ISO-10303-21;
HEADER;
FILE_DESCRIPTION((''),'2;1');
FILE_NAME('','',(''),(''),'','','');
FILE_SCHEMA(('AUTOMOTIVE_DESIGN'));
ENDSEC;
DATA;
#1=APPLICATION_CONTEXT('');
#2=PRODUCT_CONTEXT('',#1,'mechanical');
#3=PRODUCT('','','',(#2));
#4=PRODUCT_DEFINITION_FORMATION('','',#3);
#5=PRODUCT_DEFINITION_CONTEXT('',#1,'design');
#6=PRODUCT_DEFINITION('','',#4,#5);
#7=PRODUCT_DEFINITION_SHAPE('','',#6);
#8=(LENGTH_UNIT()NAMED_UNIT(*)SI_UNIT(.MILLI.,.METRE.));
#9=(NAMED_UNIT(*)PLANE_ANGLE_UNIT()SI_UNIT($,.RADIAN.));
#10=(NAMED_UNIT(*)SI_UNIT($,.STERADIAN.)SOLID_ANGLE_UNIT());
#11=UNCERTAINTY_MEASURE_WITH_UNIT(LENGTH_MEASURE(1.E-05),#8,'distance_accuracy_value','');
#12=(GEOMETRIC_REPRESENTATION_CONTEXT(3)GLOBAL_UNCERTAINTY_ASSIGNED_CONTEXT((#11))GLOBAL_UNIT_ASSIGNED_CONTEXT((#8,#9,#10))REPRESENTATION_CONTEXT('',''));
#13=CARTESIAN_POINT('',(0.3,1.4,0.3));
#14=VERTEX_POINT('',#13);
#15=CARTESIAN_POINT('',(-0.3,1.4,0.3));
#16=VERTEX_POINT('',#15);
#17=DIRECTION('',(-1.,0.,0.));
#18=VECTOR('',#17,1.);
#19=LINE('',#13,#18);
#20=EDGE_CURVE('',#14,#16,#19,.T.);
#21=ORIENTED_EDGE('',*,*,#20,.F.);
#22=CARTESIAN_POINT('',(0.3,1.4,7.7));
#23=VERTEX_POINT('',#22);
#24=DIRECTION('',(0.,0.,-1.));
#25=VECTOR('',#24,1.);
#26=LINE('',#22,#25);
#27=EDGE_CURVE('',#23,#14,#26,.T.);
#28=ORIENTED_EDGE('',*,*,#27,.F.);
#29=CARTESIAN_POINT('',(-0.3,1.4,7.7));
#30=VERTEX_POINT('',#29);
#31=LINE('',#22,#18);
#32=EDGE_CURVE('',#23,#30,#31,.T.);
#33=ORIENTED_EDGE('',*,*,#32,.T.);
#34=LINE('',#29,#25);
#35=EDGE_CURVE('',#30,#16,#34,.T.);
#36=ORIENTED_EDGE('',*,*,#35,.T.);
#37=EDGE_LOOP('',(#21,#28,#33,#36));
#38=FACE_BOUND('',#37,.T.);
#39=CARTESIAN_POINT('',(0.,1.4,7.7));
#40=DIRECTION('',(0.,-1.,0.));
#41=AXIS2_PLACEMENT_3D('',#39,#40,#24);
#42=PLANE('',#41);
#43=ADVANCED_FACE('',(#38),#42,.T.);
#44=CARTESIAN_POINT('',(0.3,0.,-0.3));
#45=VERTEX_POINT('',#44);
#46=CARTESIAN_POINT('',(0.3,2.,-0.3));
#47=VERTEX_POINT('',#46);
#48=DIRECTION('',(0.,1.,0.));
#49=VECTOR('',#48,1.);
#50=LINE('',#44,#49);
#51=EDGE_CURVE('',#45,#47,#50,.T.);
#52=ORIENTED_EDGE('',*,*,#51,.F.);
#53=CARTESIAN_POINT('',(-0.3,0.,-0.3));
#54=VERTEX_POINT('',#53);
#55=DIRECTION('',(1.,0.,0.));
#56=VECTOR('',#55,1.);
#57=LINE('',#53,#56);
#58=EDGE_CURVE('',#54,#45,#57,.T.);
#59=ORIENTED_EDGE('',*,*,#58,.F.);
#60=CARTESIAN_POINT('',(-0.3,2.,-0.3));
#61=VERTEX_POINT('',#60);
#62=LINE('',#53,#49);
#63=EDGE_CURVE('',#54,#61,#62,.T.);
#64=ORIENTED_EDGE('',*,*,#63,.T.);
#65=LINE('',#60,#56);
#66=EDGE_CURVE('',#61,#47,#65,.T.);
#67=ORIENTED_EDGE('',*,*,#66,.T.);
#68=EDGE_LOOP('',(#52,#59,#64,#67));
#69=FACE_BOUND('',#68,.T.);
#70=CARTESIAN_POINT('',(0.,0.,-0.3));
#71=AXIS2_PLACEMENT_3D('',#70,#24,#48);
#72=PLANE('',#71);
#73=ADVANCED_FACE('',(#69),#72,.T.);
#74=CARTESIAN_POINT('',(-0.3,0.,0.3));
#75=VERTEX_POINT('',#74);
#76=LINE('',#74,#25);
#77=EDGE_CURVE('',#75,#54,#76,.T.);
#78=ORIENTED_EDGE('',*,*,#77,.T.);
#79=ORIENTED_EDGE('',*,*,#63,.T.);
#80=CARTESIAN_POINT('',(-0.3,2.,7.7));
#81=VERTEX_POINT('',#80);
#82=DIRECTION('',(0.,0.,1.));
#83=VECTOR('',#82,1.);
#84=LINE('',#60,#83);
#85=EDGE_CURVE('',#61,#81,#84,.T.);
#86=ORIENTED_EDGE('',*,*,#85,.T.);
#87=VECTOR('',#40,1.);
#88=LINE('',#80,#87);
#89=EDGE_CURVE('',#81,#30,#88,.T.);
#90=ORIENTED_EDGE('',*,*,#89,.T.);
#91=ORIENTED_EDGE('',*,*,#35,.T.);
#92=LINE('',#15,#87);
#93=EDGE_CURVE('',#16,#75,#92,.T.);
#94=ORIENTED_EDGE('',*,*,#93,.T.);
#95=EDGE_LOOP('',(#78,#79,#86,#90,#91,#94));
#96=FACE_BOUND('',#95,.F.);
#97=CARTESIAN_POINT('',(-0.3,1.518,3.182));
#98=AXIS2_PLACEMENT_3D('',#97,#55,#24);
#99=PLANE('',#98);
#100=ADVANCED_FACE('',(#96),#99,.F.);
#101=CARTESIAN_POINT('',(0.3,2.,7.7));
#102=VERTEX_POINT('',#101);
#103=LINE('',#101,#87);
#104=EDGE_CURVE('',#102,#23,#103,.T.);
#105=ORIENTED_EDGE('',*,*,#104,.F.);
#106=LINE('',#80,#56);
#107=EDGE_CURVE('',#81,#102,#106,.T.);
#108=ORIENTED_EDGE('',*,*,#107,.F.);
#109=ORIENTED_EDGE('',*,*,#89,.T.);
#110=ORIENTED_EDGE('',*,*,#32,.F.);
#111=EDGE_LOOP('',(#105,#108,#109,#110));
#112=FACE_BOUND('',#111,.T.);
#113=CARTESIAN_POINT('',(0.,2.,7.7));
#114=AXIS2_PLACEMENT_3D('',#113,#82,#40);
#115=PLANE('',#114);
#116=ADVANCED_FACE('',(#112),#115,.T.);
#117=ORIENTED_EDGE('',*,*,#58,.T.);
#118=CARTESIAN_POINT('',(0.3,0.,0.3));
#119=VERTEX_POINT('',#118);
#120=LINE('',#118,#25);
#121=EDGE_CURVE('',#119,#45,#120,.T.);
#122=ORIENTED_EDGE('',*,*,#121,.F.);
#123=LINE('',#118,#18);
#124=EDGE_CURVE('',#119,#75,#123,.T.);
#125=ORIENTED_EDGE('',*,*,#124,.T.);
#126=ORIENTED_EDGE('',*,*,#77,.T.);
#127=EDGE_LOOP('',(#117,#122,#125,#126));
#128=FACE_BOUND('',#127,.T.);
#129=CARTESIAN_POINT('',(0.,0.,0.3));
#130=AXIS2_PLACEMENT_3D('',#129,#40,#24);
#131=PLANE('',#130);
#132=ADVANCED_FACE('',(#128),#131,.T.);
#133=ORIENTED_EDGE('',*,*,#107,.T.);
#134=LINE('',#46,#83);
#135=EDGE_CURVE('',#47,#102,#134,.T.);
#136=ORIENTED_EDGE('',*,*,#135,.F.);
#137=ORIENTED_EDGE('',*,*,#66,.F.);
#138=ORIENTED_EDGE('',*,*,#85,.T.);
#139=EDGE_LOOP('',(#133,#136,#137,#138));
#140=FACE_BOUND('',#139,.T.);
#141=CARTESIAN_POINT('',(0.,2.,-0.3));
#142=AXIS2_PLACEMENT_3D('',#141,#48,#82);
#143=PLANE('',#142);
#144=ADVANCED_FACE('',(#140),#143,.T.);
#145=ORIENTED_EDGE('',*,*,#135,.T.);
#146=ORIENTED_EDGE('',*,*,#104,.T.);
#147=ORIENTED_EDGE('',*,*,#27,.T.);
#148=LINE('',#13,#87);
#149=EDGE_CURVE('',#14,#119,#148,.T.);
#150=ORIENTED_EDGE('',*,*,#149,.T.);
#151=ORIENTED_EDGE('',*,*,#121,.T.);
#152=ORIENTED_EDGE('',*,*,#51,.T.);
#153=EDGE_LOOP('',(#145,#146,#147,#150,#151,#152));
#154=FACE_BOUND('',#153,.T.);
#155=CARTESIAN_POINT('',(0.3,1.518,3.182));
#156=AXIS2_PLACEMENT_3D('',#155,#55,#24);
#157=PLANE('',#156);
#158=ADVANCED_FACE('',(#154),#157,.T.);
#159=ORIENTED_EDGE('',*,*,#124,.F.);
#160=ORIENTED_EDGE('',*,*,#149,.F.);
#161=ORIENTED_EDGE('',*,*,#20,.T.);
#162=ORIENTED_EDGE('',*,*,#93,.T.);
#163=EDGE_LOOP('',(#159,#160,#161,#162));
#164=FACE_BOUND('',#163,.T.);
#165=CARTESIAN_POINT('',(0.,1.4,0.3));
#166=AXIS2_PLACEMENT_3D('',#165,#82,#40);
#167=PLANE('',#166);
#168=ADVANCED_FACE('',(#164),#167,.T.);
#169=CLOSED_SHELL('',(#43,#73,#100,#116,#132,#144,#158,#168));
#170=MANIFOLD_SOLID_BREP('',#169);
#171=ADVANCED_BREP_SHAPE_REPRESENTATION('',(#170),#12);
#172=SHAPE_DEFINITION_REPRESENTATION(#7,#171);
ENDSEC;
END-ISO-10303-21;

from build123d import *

# Parameters (mm, degrees)
BOSS_EXTRUDE1_DEPTH = 0.3


with BuildPart() as part:
    # Sketch1 → Boss-Extrude1 (new body, symmetric)
    with BuildSketch(Plane(origin=(0, 0, 0), x_dir=(0, 0, -1), z_dir=(1, 0, 0))):
        Polygon((-0.3, 0), (0.3, 0), (0.3, 2), (-7.7, 2), (-7.7, 1.4), (-0.3, 1.4), align=None)
    extrude(amount=BOSS_EXTRUDE1_DEPTH, both=True)


solid = part.part
